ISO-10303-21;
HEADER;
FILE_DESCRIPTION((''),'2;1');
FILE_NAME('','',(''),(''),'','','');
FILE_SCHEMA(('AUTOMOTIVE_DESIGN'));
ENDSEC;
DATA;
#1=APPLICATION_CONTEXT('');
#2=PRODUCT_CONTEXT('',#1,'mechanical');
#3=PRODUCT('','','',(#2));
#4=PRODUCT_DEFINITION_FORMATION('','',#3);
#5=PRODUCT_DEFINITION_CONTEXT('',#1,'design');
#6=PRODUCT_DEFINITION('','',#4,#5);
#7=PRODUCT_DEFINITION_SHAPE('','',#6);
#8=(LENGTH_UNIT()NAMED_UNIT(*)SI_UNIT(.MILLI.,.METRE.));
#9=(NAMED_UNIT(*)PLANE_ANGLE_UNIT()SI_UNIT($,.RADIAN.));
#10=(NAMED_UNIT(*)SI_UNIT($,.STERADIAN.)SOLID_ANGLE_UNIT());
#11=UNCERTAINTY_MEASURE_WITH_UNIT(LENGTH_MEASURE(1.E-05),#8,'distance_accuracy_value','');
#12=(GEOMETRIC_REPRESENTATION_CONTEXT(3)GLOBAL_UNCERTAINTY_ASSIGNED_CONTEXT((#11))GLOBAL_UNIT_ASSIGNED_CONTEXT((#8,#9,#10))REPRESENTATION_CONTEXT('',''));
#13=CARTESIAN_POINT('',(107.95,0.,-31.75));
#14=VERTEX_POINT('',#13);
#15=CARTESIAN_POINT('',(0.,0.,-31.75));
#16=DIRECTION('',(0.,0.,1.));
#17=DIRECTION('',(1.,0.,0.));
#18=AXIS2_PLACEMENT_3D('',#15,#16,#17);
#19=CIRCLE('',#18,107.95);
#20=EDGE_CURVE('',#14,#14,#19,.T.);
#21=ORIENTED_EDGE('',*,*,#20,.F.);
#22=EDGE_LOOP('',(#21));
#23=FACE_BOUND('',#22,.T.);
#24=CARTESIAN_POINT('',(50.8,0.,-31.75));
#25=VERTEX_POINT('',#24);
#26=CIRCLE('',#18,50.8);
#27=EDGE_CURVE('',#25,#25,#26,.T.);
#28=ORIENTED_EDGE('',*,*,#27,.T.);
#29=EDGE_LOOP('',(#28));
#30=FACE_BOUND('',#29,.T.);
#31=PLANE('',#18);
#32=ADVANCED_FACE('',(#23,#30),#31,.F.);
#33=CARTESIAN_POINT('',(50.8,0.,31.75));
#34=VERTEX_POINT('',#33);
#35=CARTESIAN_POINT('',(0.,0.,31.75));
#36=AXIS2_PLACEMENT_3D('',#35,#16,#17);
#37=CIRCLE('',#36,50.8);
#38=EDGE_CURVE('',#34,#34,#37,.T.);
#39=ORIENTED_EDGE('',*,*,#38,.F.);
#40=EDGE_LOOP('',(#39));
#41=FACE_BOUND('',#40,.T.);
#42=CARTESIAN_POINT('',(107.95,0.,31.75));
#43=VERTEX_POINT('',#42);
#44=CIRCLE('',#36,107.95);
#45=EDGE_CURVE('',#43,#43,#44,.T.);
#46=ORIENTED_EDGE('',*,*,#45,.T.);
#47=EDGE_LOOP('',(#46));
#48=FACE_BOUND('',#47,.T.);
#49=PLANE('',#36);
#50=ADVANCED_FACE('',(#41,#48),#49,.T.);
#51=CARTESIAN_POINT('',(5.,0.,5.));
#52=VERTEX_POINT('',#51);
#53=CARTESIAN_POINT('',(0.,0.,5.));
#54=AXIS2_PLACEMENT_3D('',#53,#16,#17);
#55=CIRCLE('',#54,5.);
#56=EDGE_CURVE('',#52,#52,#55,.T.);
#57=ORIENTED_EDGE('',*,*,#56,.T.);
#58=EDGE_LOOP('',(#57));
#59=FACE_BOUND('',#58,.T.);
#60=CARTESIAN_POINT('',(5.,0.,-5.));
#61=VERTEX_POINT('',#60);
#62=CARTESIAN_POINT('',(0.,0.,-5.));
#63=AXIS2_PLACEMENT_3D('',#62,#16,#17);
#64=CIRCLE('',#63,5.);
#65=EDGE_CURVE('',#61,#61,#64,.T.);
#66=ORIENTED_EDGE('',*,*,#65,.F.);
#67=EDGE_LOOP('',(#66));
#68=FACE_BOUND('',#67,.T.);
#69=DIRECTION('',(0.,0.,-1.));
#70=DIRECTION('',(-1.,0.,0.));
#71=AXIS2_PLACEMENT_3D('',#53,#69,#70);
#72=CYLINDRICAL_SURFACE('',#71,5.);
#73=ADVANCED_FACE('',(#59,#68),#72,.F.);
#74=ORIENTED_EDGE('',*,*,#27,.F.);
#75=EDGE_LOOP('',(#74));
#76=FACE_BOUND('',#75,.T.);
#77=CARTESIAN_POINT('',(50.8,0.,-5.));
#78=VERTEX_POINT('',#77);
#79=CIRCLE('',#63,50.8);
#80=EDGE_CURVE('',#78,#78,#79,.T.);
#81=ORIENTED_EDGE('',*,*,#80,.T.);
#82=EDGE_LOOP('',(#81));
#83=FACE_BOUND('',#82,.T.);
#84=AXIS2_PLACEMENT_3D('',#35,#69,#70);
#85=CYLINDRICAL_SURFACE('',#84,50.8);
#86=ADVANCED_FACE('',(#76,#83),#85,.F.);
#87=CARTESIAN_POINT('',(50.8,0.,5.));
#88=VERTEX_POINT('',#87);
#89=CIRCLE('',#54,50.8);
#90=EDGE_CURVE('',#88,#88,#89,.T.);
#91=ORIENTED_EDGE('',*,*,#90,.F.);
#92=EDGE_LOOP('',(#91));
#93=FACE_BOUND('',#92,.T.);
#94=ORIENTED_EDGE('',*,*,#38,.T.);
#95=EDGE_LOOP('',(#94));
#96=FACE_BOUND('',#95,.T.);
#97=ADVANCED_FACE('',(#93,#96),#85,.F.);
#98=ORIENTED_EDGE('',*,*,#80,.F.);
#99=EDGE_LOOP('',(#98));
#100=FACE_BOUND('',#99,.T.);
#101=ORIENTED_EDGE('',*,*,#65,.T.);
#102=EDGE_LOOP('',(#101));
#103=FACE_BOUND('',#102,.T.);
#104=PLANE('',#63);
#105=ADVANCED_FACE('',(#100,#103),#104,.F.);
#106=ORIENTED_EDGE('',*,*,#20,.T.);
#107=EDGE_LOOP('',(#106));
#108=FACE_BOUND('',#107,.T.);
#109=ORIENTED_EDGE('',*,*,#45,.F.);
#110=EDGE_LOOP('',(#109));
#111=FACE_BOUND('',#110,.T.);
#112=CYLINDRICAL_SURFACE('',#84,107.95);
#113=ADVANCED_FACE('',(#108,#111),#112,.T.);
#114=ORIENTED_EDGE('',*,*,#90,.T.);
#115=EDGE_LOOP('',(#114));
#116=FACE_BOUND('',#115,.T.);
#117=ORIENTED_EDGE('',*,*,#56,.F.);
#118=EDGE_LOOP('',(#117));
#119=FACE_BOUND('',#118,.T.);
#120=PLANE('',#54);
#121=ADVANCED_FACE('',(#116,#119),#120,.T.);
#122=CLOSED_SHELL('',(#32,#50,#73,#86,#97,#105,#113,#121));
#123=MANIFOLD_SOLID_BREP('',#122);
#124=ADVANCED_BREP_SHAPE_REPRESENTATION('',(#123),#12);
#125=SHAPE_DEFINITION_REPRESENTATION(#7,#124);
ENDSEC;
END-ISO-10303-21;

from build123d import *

# Parameters (mm, degrees)
SKETCH1_R           = 107.95
SKETCH1_R_2         = 50.8
BOSS_EXTRUDE1_DEPTH = 31.75
SKETCH2_R           = 50.8
SKETCH2_R_2         = 5
BOSS_EXTRUDE2_DEPTH = 5


with BuildPart() as part:
    # Sketch1 → Boss-Extrude1 (new, symmetric)
    with BuildSketch(Plane.XY):
        Circle(SKETCH1_R)
        Circle(SKETCH1_R_2, mode=Mode.SUBTRACT)
    extrude(amount=BOSS_EXTRUDE1_DEPTH, both=True)

    # Sketch2 → Boss-Extrude2 (add, symmetric)
    with BuildSketch(Plane.XY):
        Circle(SKETCH2_R)
        Circle(SKETCH2_R_2, mode=Mode.SUBTRACT)
    extrude(amount=BOSS_EXTRUDE2_DEPTH, both=True)


solid = part.part
